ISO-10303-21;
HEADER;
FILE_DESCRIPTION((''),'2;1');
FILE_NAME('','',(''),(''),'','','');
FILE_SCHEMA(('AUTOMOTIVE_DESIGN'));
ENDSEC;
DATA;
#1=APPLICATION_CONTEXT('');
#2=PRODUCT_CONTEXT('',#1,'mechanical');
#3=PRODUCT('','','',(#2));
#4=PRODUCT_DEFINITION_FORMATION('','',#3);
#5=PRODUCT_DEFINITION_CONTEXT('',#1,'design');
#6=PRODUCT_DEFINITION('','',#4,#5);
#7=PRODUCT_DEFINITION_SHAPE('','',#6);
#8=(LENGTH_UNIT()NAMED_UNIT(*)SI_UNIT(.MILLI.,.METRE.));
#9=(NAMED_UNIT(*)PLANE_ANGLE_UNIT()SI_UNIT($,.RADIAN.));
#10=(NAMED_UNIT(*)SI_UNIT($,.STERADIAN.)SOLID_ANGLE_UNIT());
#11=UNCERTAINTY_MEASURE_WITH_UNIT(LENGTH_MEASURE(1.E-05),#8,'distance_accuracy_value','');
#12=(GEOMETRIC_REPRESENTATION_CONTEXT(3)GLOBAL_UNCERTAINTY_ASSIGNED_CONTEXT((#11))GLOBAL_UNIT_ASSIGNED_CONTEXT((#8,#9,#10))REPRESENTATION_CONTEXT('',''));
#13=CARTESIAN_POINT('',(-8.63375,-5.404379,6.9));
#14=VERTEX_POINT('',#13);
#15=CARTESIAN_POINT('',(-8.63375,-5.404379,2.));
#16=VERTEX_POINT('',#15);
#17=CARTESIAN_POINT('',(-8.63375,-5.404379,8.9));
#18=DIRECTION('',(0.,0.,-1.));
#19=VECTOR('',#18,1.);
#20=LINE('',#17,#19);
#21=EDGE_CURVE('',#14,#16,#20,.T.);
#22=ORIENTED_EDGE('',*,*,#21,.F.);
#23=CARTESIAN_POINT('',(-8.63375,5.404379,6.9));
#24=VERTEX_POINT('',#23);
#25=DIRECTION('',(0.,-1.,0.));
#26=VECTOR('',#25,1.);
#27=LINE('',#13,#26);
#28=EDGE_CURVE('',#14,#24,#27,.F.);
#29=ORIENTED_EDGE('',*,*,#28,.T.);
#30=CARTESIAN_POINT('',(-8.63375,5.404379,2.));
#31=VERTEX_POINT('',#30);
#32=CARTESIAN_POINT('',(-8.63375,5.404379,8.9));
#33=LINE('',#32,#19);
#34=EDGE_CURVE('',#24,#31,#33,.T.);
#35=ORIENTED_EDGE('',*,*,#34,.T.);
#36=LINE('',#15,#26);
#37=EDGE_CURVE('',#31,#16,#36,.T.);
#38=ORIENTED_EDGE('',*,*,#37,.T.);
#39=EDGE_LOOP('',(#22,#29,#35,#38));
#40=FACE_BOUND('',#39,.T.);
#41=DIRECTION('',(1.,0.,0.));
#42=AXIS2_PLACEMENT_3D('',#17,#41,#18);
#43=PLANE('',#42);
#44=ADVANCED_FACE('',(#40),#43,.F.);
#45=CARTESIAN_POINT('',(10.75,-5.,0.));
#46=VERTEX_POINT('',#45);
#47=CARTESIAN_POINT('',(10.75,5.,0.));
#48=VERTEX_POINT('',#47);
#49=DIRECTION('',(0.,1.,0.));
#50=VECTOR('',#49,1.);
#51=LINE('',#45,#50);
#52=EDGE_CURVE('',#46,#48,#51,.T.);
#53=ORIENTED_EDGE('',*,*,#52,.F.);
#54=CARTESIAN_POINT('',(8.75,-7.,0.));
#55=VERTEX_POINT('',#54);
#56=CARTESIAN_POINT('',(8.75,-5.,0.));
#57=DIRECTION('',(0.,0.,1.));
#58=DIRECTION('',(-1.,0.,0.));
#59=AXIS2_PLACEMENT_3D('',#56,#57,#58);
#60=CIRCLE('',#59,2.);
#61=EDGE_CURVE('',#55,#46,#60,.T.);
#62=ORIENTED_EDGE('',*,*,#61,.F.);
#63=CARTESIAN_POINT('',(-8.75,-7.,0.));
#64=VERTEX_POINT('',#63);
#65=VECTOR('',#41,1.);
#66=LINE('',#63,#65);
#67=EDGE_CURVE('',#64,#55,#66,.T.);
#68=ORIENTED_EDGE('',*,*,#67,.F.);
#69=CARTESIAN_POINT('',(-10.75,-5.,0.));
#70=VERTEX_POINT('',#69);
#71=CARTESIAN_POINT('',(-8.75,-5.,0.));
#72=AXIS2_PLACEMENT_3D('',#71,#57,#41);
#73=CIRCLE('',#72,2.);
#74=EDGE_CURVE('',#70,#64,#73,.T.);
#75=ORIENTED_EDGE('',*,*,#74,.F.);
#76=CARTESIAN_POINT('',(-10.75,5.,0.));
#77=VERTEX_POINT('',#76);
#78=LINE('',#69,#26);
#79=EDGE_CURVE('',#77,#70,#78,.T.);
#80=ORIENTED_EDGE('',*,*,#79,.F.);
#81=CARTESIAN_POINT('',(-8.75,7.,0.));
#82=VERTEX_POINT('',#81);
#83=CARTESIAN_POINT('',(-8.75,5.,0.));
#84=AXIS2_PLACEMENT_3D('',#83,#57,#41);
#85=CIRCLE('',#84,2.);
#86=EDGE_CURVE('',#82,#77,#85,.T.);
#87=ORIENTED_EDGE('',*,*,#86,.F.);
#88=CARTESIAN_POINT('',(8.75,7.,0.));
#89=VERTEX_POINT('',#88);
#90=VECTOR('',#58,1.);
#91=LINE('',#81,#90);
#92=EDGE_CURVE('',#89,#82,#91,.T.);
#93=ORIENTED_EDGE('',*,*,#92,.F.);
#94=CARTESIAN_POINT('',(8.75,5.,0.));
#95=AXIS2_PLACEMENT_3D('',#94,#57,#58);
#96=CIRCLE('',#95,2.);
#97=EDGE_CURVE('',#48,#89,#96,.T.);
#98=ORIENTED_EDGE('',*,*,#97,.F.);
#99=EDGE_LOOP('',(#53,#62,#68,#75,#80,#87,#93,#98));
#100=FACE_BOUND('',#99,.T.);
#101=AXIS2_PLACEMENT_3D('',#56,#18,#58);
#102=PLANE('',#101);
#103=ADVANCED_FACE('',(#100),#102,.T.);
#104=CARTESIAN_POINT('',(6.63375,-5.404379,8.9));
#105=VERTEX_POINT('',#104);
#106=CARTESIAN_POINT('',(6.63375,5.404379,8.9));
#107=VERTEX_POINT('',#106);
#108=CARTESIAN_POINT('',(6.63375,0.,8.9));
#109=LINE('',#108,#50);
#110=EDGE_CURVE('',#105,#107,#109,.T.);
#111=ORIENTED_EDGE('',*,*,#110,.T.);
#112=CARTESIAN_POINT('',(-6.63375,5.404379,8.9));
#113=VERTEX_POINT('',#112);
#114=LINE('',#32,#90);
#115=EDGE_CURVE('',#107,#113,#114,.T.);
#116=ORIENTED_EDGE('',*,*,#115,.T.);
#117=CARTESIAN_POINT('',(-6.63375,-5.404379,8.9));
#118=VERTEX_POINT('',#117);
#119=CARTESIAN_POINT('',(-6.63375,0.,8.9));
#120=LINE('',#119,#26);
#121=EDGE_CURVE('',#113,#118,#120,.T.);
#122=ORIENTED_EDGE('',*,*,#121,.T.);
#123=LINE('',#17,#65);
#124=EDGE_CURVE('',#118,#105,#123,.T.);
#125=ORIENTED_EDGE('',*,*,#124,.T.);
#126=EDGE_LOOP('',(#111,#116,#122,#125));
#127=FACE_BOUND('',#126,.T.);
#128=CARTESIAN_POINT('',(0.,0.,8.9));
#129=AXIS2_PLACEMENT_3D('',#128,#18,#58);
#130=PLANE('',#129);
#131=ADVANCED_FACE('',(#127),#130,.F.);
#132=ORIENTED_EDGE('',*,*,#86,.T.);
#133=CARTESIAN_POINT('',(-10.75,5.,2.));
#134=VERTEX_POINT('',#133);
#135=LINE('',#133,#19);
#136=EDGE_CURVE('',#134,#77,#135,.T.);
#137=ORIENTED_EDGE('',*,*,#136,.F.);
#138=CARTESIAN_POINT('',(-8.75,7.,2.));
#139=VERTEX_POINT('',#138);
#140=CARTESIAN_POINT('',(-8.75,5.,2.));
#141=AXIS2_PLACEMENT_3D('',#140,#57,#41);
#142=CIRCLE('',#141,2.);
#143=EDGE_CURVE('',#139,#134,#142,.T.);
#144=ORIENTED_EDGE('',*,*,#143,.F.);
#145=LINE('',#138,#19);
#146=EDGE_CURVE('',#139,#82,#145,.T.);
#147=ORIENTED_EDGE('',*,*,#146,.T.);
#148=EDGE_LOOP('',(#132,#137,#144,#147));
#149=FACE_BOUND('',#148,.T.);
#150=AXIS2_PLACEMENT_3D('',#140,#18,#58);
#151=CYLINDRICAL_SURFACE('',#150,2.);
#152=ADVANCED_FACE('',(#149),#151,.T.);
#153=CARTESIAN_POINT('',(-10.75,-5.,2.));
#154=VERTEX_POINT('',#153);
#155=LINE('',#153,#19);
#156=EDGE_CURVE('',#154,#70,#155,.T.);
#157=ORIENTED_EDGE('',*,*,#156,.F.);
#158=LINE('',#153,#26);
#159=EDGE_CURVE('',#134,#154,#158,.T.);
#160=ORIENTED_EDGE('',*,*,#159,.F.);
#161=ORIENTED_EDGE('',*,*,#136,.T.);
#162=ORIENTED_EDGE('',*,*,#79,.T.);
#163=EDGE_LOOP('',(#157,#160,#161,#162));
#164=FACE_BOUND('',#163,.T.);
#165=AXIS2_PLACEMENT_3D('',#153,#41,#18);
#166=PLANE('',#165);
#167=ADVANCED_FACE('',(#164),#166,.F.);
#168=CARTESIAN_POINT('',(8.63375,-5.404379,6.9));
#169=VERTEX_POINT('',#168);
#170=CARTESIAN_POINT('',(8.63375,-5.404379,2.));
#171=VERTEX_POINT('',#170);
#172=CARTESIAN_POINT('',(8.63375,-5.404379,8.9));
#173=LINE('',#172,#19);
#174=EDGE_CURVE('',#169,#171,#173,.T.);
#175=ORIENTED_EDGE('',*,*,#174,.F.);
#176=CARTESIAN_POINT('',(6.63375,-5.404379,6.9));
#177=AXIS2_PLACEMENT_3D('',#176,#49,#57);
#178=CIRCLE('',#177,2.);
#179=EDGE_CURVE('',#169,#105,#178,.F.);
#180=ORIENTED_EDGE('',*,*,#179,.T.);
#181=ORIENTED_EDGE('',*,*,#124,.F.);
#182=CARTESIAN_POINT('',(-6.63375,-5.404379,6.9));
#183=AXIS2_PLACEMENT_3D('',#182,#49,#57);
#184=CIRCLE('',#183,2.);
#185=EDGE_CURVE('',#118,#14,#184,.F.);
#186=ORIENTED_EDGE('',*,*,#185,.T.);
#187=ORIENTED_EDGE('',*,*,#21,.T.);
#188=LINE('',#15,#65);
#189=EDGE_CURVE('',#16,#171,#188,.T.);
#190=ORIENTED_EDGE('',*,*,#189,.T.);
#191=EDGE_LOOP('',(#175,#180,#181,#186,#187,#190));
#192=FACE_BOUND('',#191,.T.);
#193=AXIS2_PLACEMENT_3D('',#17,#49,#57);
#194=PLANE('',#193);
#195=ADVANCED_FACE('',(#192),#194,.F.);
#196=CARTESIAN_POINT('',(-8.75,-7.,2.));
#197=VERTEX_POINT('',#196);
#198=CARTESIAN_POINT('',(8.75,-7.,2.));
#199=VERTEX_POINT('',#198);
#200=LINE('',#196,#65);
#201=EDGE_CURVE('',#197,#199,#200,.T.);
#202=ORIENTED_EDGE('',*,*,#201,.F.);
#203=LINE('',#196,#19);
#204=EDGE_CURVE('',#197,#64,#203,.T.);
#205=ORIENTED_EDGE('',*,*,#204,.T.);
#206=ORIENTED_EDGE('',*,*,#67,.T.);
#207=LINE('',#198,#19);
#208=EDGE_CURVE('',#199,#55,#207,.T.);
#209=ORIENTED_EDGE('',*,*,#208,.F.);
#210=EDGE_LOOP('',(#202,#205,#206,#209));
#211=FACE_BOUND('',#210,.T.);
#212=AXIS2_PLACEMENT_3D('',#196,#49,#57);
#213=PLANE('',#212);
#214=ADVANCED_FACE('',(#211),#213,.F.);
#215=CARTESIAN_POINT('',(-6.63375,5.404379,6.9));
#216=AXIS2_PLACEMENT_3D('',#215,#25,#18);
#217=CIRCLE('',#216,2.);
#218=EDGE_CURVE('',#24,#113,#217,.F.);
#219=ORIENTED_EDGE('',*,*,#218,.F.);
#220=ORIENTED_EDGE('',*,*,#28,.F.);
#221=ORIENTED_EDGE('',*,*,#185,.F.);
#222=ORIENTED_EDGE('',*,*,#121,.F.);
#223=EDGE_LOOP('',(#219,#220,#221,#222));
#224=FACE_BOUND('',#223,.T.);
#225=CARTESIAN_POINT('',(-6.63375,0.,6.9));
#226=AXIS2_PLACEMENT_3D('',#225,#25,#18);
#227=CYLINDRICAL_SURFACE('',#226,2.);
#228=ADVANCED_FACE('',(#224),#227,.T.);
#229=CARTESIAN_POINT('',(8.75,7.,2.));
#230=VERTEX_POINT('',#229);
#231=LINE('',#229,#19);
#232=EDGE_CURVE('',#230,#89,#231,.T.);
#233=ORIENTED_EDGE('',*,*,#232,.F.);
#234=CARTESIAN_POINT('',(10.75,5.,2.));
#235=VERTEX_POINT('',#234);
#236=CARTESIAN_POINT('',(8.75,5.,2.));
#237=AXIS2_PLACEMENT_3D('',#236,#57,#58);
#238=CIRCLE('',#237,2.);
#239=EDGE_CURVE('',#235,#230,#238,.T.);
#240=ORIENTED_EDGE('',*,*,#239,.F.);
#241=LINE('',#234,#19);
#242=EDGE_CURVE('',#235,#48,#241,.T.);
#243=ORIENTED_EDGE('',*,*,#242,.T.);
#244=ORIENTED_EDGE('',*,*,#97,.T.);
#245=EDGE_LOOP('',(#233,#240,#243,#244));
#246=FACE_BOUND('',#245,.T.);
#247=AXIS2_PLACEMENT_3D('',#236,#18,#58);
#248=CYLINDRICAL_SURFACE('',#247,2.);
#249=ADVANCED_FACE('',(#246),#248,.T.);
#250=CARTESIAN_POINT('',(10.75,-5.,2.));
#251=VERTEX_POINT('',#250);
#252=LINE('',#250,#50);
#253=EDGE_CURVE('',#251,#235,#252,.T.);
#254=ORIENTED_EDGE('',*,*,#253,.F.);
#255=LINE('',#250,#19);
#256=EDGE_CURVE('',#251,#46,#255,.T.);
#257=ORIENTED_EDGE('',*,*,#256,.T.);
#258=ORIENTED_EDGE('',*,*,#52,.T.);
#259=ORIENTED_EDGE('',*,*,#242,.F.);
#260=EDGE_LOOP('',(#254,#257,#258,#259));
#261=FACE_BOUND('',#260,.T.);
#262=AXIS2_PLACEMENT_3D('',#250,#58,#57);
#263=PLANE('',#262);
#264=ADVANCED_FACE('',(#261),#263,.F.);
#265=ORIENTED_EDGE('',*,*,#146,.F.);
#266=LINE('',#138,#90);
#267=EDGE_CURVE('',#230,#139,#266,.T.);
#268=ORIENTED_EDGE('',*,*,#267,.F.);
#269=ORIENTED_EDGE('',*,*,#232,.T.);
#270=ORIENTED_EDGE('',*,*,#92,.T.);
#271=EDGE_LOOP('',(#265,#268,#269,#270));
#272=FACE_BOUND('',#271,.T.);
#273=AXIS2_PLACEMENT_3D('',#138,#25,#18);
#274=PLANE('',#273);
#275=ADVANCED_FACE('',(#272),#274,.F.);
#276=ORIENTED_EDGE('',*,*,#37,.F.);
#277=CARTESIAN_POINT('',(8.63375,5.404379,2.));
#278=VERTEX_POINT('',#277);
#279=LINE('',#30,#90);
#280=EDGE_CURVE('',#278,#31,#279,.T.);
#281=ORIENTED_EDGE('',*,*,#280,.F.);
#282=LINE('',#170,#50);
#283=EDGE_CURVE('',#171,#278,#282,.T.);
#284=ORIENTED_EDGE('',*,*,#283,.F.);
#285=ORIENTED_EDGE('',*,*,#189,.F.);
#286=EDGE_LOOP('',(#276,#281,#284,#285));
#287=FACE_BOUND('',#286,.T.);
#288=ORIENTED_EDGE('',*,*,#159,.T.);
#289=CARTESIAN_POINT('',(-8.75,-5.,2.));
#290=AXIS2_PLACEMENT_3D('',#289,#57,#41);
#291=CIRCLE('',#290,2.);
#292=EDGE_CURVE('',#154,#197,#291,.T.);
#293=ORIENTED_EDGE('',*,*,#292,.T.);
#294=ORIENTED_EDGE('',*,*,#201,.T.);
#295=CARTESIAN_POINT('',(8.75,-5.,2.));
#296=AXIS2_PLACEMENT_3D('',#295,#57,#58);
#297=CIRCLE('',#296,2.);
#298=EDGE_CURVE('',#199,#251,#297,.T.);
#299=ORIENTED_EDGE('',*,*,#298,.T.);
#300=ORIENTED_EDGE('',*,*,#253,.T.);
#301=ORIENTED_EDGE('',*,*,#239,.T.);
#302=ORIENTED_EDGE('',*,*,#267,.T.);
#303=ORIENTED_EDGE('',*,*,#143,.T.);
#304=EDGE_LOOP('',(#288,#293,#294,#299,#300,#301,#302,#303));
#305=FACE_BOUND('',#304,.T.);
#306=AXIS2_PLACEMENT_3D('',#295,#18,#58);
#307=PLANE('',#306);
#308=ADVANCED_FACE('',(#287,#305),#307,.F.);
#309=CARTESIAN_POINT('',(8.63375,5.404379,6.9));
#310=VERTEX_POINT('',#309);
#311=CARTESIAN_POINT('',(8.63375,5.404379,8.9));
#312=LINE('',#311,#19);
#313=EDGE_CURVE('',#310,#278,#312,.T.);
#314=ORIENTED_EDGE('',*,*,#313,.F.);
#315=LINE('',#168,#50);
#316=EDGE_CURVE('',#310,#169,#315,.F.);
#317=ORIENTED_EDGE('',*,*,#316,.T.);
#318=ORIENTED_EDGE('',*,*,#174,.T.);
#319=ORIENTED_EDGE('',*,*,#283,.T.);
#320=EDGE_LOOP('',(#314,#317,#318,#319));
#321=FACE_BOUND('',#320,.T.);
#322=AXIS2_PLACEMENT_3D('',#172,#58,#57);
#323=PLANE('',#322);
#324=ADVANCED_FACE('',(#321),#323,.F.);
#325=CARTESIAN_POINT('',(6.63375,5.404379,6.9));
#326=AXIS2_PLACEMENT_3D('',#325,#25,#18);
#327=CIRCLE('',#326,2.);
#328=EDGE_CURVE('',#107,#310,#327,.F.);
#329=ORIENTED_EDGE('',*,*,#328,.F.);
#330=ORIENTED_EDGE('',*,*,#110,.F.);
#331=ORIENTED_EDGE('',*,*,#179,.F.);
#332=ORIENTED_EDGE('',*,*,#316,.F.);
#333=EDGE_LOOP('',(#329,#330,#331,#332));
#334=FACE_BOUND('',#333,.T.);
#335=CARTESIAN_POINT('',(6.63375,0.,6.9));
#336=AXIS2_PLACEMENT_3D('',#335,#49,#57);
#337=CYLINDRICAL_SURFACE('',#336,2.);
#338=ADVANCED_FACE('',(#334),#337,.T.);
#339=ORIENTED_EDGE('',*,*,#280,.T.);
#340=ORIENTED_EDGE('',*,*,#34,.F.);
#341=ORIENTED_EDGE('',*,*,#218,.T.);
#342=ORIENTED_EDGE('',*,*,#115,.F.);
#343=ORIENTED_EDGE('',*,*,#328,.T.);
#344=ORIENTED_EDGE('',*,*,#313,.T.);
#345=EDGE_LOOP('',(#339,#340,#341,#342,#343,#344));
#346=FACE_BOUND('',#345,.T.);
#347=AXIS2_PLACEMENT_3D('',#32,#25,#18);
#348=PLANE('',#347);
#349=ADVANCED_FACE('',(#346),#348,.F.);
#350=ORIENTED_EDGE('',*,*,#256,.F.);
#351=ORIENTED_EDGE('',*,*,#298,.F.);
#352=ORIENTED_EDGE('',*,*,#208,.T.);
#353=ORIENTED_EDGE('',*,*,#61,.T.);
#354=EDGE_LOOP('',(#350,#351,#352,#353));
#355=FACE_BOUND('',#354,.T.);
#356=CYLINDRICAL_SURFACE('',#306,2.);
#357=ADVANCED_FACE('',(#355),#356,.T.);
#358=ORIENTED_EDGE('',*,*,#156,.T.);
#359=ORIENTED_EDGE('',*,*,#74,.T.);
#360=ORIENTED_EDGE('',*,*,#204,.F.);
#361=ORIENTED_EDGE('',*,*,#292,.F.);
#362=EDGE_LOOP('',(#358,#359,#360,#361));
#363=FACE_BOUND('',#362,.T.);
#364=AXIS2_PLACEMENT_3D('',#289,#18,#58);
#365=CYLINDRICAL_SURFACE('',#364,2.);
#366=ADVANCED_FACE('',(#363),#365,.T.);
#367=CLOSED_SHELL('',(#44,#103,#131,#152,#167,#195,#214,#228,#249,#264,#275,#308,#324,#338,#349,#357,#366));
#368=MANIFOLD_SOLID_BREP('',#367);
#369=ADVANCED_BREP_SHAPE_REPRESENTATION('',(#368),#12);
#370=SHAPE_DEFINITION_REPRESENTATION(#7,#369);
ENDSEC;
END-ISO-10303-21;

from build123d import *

# Parameters (mm, degrees)
BOSS_EXTRUDE1_DEPTH = 2
SKETCH2_W           = 17.267499136
SKETCH2_H           = 10.808758156
BOSS_EXTRUDE2_DEPTH = 6.9
FILLET3_R           = 2


with BuildPart() as part:
    # Sketch1 → Boss-Extrude1 (new body)
    with BuildSketch(Plane.XY):
        with BuildLine():
            Line((-8.75, -7), (8.75, -7))
            ThreePointArc((8.75, -7), (10.164213562, -6.414213562), (10.75, -5))
            Line((10.75, -5), (10.75, 5))
            ThreePointArc((10.75, 5), (10.164213562, 6.414213562), (8.75, 7))
            Line((8.75, 7), (-8.75, 7))
            ThreePointArc((-8.75, 7), (-10.164213562, 6.414213562), (-10.75, 5))
            Line((-10.75, 5), (-10.75, -5))
            ThreePointArc((-10.75, -5), (-10.164213562, -6.414213562), (-8.75, -7))
        make_face()
    extrude(amount=BOSS_EXTRUDE1_DEPTH)

    # Sketch2 → Boss-Extrude2 (add)
    with BuildSketch(Plane.XY.offset(2)):
        Rectangle(SKETCH2_W, SKETCH2_H)
    extrude(amount=BOSS_EXTRUDE2_DEPTH)

    # Fillet3
    fillet3_edges = [part.edges().sort_by_distance(p)[0] for p in [
        (8.633749568, 0, 8.9),
        (-8.633749568, 0, 8.9),
    ]]
    fillet(fillet3_edges, radius=FILLET3_R)


solid = part.part
